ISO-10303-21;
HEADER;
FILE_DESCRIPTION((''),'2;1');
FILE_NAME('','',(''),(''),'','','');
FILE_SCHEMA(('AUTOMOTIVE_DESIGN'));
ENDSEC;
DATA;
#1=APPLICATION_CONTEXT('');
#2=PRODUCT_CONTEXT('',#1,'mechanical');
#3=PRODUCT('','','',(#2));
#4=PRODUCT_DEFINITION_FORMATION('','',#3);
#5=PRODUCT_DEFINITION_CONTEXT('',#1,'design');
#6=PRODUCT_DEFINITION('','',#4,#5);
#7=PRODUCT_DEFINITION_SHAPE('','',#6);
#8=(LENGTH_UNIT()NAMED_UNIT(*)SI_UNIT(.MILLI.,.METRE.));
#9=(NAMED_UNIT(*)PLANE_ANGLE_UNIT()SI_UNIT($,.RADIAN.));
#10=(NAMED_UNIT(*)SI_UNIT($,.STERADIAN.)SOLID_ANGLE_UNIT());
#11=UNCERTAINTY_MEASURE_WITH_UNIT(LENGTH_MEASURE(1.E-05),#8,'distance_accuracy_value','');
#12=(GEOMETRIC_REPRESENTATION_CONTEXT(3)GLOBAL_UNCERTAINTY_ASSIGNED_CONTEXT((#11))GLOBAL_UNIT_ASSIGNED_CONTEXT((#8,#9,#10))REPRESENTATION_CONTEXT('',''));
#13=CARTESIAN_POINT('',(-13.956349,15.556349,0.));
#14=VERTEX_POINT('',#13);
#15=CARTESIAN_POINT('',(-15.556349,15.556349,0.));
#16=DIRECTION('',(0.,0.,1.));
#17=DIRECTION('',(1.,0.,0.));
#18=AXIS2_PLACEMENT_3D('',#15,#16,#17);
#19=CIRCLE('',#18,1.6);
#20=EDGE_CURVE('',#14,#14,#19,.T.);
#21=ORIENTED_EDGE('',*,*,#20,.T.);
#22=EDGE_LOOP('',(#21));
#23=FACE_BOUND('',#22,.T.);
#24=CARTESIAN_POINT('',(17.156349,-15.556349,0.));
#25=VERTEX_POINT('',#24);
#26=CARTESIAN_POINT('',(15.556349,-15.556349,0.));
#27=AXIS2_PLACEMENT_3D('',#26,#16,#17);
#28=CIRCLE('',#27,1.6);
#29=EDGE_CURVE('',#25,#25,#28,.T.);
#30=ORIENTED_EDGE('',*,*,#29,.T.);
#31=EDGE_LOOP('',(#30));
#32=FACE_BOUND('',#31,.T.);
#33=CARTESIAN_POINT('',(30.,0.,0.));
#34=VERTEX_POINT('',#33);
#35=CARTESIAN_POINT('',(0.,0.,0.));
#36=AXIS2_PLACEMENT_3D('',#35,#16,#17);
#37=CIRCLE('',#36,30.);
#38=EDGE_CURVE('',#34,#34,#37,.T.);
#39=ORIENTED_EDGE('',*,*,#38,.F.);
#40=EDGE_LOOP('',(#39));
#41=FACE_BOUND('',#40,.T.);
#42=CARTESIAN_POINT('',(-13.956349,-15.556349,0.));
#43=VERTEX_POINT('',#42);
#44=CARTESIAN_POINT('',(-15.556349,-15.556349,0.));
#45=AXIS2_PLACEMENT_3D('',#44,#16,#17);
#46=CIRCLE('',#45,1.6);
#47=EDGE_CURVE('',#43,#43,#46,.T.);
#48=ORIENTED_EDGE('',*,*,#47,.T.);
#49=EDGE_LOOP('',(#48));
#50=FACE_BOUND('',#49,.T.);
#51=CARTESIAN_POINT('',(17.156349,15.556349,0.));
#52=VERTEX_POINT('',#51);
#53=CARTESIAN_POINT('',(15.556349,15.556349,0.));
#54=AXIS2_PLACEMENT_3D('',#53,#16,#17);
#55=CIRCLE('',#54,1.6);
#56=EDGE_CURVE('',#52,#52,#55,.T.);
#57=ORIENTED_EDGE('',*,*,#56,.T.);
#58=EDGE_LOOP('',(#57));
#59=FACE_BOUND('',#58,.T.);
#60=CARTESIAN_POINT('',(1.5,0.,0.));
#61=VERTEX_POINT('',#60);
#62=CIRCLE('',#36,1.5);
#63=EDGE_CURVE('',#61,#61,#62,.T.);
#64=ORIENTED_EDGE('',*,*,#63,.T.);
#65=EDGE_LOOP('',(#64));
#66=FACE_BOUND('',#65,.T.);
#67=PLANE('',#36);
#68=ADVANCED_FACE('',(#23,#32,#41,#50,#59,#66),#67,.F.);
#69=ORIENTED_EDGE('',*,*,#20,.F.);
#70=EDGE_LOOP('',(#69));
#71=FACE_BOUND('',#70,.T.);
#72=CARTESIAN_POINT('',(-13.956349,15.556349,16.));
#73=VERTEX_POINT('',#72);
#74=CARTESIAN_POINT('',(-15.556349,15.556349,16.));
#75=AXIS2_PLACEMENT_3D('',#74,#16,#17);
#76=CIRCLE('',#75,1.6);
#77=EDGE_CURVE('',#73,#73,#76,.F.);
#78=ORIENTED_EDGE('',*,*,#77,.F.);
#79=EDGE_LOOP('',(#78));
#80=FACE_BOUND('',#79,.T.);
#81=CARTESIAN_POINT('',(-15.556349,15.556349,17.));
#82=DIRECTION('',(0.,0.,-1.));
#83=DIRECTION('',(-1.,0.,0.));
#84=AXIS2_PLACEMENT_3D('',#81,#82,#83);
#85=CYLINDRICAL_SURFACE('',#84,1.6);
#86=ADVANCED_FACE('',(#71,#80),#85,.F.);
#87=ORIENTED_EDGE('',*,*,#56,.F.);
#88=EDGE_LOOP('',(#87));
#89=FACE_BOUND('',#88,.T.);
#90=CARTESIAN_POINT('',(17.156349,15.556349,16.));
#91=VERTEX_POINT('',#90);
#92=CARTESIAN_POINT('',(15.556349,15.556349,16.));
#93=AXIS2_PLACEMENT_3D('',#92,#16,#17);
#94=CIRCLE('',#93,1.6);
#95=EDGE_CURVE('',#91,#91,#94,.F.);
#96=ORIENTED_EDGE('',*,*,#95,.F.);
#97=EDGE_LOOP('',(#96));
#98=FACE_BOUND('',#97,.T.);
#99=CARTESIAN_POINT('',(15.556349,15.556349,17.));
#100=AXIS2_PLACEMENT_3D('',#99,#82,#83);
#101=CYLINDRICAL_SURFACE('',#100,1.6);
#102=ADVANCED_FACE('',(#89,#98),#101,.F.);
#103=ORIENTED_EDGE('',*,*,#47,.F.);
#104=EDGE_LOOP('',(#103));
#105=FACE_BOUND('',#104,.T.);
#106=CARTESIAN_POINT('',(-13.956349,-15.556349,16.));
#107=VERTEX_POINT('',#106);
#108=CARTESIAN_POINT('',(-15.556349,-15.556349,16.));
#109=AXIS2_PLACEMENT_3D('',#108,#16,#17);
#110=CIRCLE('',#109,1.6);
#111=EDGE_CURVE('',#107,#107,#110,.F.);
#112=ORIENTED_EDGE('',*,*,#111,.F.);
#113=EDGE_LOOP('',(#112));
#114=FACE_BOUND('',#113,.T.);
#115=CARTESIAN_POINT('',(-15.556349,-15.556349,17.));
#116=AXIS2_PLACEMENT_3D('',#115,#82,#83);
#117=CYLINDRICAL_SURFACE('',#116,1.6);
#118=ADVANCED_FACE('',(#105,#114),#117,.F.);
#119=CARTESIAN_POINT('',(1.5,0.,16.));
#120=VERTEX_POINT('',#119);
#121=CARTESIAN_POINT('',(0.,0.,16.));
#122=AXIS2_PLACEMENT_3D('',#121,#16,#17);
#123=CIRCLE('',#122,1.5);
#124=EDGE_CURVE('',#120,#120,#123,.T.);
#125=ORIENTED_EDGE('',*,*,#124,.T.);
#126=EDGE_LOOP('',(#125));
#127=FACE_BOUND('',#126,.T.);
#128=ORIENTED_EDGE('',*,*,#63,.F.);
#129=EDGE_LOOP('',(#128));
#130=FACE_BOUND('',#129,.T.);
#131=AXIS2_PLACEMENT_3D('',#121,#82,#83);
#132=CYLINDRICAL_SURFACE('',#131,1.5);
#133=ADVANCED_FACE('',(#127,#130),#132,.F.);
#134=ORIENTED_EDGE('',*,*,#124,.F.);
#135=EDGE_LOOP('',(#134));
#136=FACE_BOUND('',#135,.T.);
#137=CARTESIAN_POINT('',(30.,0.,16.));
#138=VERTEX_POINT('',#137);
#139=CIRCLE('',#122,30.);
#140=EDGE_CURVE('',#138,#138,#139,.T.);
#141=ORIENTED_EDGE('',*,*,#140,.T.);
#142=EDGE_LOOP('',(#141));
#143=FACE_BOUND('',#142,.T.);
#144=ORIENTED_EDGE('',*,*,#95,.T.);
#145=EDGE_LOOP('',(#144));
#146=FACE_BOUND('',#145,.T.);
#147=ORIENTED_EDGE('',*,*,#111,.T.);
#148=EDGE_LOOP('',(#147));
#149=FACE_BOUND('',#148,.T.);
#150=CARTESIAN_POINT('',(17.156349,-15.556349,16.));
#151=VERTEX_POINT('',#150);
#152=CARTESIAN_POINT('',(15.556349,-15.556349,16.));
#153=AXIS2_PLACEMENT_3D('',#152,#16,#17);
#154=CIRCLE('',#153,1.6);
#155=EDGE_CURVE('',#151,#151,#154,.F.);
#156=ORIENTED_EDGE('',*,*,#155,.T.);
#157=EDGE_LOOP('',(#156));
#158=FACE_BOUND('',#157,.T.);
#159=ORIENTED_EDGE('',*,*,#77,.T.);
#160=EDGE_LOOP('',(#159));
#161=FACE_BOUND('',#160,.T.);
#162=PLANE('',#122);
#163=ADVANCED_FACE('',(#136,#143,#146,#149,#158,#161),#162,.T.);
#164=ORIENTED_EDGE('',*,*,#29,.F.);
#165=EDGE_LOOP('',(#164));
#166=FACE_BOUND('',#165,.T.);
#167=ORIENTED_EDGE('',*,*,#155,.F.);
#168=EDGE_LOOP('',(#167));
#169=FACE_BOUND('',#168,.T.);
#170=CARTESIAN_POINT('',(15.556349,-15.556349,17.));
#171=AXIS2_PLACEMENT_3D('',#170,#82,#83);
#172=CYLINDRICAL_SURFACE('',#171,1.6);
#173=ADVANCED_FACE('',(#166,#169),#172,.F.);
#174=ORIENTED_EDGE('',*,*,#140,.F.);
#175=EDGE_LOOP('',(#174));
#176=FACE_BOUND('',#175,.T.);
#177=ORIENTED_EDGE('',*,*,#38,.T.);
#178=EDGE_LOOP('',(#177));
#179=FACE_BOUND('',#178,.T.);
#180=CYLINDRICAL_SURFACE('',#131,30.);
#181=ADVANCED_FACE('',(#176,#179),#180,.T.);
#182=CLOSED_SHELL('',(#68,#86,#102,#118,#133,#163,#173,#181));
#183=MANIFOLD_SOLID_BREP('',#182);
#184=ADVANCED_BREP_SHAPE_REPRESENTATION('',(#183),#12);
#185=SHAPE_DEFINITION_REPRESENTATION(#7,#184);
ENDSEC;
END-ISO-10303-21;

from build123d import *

# Parameters (mm, degrees)
SKETCH1_R           = 30
SKETCH1_R_2         = 1.5
BOSS_EXTRUDE1_DEPTH = 16
SKETCH2_R           = 1.6
CUT_EXTRUDE2_DEPTH  = 17


with BuildPart() as part:
    # Sketch1 → Boss-Extrude1 (new body)
    with BuildSketch(Plane.XY):
        Circle(SKETCH1_R)
        Circle(SKETCH1_R_2, mode=Mode.SUBTRACT)
    extrude(amount=BOSS_EXTRUDE1_DEPTH)

    # Sketch2 → Cut-Extrude2 (cut)
    with BuildSketch(Plane.XY):
        with Locations((15.556349186, 15.556349186)):
            Circle(SKETCH2_R)
        with Locations((-15.556349186, 15.556349186)):
            Circle(SKETCH2_R)
        with Locations((-15.556349186, -15.556349186)):
            Circle(SKETCH2_R)
        with Locations((15.556349186, -15.556349186)):
            Circle(SKETCH2_R)
    extrude(amount=CUT_EXTRUDE2_DEPTH, mode=Mode.SUBTRACT)


solid = part.part
